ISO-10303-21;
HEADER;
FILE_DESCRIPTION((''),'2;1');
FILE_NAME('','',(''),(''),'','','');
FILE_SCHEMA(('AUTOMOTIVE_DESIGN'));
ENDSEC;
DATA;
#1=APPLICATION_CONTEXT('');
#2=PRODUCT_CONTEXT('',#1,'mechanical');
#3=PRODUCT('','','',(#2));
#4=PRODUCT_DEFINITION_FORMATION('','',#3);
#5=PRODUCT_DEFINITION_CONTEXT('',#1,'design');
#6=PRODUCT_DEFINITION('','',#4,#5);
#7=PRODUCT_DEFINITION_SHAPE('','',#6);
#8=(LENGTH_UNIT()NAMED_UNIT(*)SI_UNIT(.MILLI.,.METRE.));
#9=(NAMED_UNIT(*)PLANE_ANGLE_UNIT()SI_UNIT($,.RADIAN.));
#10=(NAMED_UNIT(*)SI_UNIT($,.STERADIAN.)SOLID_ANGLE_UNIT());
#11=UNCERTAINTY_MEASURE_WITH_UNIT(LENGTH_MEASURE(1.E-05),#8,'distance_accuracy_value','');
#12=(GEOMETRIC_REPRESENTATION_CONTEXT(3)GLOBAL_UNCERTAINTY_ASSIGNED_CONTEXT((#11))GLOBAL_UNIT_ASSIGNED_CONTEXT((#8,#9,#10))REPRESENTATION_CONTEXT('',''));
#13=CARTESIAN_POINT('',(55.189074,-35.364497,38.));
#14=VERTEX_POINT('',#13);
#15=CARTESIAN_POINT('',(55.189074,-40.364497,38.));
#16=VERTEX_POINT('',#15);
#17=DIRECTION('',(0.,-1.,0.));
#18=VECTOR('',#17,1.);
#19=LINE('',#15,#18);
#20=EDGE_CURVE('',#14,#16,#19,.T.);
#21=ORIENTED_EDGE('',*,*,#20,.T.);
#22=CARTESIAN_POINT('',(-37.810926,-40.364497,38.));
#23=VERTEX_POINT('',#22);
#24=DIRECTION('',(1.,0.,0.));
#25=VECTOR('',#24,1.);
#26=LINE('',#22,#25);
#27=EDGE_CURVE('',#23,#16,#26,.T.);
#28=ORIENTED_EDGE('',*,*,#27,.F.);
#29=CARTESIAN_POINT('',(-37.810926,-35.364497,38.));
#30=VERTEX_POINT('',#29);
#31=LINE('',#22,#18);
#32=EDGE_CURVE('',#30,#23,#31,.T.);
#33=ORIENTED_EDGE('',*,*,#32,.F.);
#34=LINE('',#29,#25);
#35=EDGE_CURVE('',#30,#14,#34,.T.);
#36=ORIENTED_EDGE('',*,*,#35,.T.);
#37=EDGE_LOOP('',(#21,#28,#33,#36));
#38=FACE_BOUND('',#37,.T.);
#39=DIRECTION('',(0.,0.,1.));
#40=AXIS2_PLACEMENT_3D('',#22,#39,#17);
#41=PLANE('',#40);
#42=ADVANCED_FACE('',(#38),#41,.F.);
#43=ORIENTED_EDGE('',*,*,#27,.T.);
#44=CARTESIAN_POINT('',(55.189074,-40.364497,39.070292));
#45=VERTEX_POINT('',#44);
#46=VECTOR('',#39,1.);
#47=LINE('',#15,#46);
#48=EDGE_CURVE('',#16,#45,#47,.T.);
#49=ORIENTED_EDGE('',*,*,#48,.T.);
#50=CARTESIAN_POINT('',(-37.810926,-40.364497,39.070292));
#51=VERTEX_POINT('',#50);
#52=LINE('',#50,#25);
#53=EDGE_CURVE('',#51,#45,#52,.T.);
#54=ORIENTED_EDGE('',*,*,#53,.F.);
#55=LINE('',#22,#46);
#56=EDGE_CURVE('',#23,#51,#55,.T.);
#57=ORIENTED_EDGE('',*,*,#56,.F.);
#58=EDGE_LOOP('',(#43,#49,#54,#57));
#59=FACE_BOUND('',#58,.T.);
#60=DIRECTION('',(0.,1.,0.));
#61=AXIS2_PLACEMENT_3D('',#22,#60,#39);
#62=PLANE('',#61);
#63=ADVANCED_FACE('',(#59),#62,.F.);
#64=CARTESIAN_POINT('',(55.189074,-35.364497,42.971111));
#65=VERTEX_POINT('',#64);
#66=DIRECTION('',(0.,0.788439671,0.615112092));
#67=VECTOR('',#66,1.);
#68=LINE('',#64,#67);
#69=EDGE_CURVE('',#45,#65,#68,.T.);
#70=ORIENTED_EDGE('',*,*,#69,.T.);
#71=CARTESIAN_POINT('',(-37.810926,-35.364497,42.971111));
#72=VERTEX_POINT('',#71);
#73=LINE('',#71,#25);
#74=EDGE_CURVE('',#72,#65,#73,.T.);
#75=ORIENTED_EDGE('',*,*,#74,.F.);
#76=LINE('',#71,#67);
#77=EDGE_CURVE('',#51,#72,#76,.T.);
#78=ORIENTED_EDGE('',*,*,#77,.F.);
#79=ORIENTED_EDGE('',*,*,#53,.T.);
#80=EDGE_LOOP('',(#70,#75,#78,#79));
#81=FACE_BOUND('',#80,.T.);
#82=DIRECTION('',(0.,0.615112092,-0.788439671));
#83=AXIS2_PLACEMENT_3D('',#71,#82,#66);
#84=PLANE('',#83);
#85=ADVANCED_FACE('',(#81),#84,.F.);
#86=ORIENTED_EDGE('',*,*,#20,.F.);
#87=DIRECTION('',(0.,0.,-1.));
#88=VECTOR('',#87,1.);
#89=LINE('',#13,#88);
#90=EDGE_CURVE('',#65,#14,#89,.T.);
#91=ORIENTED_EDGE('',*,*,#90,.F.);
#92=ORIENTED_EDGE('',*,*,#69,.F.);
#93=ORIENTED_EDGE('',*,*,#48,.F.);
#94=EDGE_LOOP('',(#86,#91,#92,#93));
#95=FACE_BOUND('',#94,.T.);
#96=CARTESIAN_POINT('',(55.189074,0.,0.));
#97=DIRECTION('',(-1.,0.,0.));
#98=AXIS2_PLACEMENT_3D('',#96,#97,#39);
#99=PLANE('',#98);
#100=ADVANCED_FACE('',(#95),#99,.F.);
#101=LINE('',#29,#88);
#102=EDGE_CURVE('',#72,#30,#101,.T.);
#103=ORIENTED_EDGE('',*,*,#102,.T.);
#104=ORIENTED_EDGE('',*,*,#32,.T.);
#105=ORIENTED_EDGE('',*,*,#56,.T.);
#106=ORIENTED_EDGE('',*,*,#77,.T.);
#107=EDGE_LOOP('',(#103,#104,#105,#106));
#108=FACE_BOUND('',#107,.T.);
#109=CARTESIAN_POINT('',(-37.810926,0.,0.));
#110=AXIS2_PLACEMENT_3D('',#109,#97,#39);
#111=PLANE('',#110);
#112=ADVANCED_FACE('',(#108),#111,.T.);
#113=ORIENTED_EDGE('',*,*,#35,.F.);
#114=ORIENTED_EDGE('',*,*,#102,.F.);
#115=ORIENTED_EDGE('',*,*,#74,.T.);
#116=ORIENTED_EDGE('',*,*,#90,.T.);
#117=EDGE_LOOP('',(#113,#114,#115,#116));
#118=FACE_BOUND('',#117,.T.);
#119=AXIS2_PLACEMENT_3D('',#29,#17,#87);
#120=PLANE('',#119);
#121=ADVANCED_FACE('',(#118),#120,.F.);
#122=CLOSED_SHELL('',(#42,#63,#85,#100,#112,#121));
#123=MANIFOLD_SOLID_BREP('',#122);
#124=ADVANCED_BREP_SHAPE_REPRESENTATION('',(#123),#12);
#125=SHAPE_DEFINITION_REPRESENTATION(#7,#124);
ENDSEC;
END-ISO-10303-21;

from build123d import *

# Parameters (mm, degrees)
RESSALTO_EXTRUS_O16_DEPTH = 93


with BuildPart() as part:
    # Esboço61 → Ressalto-extrusão16 (new body)
    with BuildSketch(Plane.ZY.offset(-55.189074272)):
        Polygon((38, -40.364497041), (38, -35.364497041), (42.971111087, -35.364497041), (39.07029207, -40.364497041), align=None)
    extrude(amount=RESSALTO_EXTRUS_O16_DEPTH)


solid = part.part
